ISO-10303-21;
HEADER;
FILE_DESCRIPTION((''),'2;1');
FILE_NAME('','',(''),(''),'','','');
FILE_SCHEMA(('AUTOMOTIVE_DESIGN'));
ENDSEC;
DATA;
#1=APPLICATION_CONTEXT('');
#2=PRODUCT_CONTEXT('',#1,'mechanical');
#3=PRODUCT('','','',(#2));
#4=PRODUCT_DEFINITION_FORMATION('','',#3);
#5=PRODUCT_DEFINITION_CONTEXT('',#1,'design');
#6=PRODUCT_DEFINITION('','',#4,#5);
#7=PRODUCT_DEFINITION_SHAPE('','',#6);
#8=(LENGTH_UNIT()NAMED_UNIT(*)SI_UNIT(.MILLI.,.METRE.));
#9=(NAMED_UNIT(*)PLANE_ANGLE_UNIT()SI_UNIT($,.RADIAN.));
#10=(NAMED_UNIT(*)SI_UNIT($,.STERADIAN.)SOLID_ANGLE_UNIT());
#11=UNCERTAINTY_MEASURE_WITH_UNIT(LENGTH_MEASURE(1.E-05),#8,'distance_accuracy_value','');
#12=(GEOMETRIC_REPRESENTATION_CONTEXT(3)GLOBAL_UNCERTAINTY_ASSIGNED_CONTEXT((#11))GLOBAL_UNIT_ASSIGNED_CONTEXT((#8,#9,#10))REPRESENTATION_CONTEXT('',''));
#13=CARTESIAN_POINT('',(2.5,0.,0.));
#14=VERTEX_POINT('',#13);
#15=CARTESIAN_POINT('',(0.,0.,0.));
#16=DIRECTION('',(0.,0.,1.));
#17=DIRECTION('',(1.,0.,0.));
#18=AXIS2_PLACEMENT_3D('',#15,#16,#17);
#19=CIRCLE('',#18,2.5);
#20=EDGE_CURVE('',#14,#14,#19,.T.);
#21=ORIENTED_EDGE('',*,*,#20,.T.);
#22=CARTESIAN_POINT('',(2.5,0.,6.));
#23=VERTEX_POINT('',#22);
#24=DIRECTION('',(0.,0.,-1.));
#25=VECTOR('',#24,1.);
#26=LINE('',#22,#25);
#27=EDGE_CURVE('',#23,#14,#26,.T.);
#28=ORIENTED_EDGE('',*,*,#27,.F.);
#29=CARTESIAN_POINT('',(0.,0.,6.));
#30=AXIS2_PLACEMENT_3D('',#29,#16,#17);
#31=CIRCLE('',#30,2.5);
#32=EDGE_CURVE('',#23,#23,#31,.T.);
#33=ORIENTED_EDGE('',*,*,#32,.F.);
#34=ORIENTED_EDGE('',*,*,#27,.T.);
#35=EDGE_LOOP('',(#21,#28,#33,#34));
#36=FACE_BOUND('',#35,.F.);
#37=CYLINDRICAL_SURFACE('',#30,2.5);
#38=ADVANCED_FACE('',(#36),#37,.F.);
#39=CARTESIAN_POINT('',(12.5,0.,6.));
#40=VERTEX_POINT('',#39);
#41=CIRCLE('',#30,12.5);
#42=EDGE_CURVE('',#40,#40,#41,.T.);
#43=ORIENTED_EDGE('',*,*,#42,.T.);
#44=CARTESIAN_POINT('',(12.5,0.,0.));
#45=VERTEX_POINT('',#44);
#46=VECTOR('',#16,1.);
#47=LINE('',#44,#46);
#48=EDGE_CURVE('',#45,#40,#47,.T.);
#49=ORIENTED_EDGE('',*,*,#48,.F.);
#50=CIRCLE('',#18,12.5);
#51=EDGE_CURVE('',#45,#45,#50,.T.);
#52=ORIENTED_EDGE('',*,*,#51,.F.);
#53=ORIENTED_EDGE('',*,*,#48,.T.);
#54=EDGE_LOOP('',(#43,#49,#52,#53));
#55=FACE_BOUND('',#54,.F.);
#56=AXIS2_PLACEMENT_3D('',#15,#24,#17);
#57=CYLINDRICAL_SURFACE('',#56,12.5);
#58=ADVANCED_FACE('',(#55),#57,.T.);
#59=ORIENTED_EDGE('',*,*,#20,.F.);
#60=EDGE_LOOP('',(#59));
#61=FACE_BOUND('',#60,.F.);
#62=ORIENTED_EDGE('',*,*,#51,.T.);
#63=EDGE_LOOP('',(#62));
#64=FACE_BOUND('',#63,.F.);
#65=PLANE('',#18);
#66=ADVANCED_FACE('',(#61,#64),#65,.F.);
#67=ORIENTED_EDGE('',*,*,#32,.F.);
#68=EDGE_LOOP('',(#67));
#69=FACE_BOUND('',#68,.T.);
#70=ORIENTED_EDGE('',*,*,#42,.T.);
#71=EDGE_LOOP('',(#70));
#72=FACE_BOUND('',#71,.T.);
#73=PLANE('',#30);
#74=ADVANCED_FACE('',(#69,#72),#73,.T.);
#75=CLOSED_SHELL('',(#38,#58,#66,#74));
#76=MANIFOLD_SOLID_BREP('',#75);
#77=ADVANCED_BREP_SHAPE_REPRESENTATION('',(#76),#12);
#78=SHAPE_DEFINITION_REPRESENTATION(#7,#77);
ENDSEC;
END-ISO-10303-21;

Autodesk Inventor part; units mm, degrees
ref_plane "YZ Plane" through (0, 0, 0) normal (1, 0, 0) x (0, 1, 0)
ref_plane "XZ Plane" through (0, 0, 0) normal (0, 1, 0) x (-1, 0, 0)
ref_plane "XY Plane" through (0, 0, 0) normal (0, 0, 1) x (1, 0, 0)
sketch "スケッチ1" plane through (0, 0, 0) normal (0, 0, 1) x (1, 0, 0)
  circle A0 centre (0, 0) radius 12.5
  dimension "d0" = 25
extrude "押し出し1" add sketch "スケッチ1" along normal blind 6
sketch "スケッチ2" plane through (0, 0, 6) normal (0, 0, 1) x (1, 0, 0)
  circle A0 centre (0, 0) radius 2.5
  dimension "d3" = 5
extrude "押し出し2" cut sketch "スケッチ2" against normal blind 6
properties part number "gear_02"
